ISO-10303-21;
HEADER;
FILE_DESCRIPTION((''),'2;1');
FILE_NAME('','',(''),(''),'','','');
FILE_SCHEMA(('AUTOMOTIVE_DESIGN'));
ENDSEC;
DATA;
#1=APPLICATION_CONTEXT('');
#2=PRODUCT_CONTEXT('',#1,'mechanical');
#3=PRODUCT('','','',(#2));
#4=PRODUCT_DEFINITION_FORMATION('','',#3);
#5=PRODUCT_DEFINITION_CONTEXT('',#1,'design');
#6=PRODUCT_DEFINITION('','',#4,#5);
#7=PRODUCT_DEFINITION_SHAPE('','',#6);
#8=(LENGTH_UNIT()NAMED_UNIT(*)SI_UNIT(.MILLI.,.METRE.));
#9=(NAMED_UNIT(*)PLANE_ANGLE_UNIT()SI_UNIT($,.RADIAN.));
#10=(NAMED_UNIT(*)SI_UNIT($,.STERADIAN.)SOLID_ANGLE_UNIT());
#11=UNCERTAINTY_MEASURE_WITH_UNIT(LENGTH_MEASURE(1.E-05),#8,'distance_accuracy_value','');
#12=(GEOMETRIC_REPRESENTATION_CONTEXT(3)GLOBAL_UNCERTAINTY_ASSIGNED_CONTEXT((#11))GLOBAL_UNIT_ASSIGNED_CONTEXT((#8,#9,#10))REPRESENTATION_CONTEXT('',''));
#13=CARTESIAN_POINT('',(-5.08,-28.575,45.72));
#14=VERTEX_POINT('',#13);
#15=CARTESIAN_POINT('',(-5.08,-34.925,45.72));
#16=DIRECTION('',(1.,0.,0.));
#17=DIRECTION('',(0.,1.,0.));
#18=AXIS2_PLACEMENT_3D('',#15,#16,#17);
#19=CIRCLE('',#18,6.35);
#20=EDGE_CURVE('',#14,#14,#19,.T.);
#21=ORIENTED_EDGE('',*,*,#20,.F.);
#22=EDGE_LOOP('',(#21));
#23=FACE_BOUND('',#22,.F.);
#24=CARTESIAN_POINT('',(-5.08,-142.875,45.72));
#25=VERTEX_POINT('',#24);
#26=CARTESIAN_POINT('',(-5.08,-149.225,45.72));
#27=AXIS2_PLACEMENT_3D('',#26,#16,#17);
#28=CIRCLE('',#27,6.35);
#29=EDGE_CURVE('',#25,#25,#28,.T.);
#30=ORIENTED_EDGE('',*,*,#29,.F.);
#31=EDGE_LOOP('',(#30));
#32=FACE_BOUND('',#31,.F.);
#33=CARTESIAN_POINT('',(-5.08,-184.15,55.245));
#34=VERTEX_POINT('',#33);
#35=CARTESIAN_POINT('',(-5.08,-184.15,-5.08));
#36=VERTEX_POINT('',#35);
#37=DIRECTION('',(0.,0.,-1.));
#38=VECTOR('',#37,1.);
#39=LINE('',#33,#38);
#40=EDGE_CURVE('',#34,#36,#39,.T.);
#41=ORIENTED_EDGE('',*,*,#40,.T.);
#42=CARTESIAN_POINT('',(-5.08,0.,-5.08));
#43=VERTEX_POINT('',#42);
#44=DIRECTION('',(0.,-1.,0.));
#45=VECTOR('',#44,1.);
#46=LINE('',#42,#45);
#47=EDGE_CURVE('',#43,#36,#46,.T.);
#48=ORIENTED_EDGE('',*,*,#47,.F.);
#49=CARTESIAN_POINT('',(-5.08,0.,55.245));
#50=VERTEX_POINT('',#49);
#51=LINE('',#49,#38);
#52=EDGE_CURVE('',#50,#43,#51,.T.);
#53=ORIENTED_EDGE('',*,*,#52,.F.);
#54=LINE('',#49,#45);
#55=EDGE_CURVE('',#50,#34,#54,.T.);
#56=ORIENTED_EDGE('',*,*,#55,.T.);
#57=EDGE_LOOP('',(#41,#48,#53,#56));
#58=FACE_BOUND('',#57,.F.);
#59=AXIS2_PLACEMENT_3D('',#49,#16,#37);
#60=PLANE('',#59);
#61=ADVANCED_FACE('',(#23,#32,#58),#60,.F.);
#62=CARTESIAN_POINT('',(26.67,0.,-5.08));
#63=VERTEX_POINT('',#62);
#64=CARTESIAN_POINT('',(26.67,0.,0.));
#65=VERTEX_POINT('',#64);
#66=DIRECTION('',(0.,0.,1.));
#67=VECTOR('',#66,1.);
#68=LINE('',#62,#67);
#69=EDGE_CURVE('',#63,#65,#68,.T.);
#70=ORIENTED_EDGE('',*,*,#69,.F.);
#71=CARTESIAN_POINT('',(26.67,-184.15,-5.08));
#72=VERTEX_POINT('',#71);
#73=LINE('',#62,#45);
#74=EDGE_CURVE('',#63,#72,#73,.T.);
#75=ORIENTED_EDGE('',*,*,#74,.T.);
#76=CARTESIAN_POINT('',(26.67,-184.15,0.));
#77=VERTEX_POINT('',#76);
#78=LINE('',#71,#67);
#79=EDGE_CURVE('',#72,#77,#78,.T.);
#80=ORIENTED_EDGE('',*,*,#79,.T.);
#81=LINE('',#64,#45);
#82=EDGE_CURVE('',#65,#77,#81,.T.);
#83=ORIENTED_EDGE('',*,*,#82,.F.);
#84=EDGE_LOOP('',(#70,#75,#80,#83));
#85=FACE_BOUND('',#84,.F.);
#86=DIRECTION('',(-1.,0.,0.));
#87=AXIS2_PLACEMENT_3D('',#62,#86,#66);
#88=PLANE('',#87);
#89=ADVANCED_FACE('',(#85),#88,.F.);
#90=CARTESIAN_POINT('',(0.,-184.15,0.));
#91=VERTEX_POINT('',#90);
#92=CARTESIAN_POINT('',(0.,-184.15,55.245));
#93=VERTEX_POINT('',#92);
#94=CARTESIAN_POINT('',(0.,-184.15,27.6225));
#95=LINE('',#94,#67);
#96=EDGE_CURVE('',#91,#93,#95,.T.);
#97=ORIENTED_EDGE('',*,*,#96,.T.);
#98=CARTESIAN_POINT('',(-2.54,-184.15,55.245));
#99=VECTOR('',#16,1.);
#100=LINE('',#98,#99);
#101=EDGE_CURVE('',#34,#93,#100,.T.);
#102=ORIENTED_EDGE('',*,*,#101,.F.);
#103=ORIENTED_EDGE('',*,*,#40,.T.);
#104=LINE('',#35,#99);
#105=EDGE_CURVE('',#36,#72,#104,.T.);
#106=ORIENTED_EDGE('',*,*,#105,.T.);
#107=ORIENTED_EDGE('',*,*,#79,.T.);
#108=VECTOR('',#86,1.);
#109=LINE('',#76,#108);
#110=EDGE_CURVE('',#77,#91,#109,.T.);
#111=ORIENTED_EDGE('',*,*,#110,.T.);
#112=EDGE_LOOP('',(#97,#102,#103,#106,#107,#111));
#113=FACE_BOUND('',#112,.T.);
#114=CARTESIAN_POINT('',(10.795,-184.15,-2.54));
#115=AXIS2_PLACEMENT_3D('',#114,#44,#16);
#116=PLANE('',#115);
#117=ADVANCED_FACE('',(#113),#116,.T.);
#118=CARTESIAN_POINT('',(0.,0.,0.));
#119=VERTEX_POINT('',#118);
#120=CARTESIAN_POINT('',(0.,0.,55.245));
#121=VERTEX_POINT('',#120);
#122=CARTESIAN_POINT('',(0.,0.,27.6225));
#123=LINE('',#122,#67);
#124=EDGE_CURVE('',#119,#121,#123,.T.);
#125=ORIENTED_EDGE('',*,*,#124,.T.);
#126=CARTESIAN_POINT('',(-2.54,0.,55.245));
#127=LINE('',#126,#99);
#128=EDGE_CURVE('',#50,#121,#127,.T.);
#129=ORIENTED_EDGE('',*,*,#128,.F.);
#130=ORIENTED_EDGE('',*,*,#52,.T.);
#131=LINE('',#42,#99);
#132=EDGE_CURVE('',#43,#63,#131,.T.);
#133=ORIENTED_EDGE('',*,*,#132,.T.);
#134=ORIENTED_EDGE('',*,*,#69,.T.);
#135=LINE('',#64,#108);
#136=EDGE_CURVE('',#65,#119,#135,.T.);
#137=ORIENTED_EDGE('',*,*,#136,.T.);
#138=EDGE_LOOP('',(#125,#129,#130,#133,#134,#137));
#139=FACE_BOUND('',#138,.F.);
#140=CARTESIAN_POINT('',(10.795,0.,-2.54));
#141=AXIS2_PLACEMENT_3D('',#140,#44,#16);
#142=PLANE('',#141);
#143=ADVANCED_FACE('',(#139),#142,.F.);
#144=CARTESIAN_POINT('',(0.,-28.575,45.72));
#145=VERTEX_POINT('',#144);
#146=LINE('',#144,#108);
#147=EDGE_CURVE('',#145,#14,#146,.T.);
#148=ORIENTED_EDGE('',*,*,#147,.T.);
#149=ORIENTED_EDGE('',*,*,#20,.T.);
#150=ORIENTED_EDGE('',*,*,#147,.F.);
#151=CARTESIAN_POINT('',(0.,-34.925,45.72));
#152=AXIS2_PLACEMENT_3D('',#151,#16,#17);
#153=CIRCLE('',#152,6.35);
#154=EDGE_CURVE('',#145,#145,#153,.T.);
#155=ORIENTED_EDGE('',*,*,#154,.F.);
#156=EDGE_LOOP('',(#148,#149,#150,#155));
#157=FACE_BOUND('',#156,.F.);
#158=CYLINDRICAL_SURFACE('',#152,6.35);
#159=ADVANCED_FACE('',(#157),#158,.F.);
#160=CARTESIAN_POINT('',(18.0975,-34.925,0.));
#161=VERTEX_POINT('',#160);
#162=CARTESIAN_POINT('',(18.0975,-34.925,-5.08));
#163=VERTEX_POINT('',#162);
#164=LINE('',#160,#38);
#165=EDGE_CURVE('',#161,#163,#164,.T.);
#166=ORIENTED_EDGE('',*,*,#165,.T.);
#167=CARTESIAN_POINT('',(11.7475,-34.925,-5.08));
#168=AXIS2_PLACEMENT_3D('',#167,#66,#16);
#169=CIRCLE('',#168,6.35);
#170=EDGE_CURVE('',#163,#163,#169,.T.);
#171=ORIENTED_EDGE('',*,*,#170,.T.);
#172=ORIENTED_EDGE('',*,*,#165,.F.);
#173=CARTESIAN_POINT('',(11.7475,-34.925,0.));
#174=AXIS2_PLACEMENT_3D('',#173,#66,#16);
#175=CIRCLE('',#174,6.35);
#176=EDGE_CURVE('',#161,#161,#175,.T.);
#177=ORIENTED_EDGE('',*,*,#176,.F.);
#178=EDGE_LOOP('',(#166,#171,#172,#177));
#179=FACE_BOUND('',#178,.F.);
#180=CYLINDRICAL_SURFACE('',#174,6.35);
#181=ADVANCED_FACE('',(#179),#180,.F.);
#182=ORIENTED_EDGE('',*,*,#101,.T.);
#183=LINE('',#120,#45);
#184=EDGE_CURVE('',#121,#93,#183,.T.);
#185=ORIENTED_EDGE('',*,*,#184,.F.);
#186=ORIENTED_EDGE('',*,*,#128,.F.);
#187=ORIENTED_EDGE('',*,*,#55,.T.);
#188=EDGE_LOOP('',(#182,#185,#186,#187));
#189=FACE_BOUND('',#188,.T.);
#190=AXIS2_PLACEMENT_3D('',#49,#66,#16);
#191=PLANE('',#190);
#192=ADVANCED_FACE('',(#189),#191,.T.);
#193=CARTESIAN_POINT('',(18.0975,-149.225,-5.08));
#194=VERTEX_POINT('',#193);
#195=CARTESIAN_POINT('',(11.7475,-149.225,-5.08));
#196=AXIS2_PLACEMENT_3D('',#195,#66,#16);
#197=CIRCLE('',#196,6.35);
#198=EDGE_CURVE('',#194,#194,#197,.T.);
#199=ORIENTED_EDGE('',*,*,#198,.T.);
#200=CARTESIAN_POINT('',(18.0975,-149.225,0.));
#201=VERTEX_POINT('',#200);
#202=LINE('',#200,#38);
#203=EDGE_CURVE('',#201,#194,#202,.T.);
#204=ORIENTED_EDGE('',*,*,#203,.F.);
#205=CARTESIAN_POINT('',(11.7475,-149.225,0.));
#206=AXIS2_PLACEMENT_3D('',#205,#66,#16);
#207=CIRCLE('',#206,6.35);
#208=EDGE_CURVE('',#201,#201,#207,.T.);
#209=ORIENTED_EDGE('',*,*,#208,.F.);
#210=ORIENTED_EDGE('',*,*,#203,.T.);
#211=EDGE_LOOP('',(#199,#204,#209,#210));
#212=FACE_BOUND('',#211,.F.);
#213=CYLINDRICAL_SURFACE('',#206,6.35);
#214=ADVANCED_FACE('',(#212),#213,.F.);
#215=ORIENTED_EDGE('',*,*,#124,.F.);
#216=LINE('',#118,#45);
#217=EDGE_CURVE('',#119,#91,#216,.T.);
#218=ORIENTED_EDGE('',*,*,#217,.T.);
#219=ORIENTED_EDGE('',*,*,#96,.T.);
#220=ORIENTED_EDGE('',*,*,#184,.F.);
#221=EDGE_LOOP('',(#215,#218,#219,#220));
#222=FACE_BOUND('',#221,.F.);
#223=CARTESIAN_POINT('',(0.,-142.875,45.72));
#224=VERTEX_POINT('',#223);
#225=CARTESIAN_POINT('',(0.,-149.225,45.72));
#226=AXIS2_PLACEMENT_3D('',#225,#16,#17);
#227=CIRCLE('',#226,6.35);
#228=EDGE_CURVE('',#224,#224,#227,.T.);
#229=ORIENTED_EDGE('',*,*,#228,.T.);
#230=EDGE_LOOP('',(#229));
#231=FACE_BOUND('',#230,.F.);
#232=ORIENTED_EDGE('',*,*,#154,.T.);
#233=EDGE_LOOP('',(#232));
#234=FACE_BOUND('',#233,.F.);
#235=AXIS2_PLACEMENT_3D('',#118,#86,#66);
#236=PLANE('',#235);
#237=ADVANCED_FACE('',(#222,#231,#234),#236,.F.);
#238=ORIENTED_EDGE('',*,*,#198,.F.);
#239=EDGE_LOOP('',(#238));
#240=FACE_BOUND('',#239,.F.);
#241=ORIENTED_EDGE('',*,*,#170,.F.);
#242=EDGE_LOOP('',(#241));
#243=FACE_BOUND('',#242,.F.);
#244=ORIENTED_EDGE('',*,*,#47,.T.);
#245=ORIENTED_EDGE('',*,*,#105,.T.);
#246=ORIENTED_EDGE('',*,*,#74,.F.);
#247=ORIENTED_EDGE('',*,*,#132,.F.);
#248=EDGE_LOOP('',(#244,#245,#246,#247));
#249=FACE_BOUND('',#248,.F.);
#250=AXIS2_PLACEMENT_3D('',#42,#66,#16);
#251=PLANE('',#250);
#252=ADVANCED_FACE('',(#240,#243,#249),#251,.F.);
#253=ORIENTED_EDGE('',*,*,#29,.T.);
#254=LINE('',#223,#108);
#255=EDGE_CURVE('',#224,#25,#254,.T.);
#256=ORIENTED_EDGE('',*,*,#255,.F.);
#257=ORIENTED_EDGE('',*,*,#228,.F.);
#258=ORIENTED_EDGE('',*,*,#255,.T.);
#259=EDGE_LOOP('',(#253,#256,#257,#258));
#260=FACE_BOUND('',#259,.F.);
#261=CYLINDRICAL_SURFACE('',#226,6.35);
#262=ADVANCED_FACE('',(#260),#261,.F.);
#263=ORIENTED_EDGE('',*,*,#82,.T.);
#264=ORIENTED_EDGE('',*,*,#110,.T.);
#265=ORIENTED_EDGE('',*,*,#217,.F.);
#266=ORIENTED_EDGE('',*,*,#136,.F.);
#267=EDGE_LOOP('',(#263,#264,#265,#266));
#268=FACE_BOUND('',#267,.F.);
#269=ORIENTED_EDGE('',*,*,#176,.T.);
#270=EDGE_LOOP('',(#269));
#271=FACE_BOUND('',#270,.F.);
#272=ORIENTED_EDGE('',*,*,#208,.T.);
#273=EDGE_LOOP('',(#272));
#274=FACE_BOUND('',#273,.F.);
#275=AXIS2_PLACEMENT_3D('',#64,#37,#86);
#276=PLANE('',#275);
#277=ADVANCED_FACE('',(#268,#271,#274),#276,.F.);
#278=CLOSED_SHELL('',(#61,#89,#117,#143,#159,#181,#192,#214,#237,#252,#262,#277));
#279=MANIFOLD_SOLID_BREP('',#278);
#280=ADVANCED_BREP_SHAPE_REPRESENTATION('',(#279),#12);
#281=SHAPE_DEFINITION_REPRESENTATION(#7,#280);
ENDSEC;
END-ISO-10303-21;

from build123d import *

# Parameters (mm, degrees)
F0_W     = 5.08
F0_H     = 55.245
F1_DEPTH = 184.15
F2_R     = 6.35
F3_DEPTH = 25.4
F4_R     = 6.35
F5_DEPTH = 25.4


with BuildPart() as f1:
    # F0 (on Front) → F1 (new body)
    with BuildSketch(Plane.XZ):
        Polygon((26.67, 0), (0, 0), (-5.08, 0), (-5.08, -5.08), (26.67, -5.08), align=None)
        with Locations((-2.54, 27.6225)):
            Rectangle(F0_W, F0_H)
    extrude(amount=F1_DEPTH)

    # F2 (on face) → F3 (cut)
    with BuildSketch(Plane.YZ):
        with Locations((-149.225, 45.72)):
            Circle(F2_R)
        with Locations((-34.925, 45.72)):
            Circle(F2_R)
    extrude(amount=-F3_DEPTH, mode=Mode.SUBTRACT)

    # F4 (on face) → F5 (cut)
    with BuildSketch(Plane.XY):
        with Locations((11.7475, -149.225)):
            Circle(F4_R)
        with Locations((11.7475, -34.925)):
            Circle(F4_R)
    extrude(amount=-F5_DEPTH, mode=Mode.SUBTRACT)


solid = f1.part
